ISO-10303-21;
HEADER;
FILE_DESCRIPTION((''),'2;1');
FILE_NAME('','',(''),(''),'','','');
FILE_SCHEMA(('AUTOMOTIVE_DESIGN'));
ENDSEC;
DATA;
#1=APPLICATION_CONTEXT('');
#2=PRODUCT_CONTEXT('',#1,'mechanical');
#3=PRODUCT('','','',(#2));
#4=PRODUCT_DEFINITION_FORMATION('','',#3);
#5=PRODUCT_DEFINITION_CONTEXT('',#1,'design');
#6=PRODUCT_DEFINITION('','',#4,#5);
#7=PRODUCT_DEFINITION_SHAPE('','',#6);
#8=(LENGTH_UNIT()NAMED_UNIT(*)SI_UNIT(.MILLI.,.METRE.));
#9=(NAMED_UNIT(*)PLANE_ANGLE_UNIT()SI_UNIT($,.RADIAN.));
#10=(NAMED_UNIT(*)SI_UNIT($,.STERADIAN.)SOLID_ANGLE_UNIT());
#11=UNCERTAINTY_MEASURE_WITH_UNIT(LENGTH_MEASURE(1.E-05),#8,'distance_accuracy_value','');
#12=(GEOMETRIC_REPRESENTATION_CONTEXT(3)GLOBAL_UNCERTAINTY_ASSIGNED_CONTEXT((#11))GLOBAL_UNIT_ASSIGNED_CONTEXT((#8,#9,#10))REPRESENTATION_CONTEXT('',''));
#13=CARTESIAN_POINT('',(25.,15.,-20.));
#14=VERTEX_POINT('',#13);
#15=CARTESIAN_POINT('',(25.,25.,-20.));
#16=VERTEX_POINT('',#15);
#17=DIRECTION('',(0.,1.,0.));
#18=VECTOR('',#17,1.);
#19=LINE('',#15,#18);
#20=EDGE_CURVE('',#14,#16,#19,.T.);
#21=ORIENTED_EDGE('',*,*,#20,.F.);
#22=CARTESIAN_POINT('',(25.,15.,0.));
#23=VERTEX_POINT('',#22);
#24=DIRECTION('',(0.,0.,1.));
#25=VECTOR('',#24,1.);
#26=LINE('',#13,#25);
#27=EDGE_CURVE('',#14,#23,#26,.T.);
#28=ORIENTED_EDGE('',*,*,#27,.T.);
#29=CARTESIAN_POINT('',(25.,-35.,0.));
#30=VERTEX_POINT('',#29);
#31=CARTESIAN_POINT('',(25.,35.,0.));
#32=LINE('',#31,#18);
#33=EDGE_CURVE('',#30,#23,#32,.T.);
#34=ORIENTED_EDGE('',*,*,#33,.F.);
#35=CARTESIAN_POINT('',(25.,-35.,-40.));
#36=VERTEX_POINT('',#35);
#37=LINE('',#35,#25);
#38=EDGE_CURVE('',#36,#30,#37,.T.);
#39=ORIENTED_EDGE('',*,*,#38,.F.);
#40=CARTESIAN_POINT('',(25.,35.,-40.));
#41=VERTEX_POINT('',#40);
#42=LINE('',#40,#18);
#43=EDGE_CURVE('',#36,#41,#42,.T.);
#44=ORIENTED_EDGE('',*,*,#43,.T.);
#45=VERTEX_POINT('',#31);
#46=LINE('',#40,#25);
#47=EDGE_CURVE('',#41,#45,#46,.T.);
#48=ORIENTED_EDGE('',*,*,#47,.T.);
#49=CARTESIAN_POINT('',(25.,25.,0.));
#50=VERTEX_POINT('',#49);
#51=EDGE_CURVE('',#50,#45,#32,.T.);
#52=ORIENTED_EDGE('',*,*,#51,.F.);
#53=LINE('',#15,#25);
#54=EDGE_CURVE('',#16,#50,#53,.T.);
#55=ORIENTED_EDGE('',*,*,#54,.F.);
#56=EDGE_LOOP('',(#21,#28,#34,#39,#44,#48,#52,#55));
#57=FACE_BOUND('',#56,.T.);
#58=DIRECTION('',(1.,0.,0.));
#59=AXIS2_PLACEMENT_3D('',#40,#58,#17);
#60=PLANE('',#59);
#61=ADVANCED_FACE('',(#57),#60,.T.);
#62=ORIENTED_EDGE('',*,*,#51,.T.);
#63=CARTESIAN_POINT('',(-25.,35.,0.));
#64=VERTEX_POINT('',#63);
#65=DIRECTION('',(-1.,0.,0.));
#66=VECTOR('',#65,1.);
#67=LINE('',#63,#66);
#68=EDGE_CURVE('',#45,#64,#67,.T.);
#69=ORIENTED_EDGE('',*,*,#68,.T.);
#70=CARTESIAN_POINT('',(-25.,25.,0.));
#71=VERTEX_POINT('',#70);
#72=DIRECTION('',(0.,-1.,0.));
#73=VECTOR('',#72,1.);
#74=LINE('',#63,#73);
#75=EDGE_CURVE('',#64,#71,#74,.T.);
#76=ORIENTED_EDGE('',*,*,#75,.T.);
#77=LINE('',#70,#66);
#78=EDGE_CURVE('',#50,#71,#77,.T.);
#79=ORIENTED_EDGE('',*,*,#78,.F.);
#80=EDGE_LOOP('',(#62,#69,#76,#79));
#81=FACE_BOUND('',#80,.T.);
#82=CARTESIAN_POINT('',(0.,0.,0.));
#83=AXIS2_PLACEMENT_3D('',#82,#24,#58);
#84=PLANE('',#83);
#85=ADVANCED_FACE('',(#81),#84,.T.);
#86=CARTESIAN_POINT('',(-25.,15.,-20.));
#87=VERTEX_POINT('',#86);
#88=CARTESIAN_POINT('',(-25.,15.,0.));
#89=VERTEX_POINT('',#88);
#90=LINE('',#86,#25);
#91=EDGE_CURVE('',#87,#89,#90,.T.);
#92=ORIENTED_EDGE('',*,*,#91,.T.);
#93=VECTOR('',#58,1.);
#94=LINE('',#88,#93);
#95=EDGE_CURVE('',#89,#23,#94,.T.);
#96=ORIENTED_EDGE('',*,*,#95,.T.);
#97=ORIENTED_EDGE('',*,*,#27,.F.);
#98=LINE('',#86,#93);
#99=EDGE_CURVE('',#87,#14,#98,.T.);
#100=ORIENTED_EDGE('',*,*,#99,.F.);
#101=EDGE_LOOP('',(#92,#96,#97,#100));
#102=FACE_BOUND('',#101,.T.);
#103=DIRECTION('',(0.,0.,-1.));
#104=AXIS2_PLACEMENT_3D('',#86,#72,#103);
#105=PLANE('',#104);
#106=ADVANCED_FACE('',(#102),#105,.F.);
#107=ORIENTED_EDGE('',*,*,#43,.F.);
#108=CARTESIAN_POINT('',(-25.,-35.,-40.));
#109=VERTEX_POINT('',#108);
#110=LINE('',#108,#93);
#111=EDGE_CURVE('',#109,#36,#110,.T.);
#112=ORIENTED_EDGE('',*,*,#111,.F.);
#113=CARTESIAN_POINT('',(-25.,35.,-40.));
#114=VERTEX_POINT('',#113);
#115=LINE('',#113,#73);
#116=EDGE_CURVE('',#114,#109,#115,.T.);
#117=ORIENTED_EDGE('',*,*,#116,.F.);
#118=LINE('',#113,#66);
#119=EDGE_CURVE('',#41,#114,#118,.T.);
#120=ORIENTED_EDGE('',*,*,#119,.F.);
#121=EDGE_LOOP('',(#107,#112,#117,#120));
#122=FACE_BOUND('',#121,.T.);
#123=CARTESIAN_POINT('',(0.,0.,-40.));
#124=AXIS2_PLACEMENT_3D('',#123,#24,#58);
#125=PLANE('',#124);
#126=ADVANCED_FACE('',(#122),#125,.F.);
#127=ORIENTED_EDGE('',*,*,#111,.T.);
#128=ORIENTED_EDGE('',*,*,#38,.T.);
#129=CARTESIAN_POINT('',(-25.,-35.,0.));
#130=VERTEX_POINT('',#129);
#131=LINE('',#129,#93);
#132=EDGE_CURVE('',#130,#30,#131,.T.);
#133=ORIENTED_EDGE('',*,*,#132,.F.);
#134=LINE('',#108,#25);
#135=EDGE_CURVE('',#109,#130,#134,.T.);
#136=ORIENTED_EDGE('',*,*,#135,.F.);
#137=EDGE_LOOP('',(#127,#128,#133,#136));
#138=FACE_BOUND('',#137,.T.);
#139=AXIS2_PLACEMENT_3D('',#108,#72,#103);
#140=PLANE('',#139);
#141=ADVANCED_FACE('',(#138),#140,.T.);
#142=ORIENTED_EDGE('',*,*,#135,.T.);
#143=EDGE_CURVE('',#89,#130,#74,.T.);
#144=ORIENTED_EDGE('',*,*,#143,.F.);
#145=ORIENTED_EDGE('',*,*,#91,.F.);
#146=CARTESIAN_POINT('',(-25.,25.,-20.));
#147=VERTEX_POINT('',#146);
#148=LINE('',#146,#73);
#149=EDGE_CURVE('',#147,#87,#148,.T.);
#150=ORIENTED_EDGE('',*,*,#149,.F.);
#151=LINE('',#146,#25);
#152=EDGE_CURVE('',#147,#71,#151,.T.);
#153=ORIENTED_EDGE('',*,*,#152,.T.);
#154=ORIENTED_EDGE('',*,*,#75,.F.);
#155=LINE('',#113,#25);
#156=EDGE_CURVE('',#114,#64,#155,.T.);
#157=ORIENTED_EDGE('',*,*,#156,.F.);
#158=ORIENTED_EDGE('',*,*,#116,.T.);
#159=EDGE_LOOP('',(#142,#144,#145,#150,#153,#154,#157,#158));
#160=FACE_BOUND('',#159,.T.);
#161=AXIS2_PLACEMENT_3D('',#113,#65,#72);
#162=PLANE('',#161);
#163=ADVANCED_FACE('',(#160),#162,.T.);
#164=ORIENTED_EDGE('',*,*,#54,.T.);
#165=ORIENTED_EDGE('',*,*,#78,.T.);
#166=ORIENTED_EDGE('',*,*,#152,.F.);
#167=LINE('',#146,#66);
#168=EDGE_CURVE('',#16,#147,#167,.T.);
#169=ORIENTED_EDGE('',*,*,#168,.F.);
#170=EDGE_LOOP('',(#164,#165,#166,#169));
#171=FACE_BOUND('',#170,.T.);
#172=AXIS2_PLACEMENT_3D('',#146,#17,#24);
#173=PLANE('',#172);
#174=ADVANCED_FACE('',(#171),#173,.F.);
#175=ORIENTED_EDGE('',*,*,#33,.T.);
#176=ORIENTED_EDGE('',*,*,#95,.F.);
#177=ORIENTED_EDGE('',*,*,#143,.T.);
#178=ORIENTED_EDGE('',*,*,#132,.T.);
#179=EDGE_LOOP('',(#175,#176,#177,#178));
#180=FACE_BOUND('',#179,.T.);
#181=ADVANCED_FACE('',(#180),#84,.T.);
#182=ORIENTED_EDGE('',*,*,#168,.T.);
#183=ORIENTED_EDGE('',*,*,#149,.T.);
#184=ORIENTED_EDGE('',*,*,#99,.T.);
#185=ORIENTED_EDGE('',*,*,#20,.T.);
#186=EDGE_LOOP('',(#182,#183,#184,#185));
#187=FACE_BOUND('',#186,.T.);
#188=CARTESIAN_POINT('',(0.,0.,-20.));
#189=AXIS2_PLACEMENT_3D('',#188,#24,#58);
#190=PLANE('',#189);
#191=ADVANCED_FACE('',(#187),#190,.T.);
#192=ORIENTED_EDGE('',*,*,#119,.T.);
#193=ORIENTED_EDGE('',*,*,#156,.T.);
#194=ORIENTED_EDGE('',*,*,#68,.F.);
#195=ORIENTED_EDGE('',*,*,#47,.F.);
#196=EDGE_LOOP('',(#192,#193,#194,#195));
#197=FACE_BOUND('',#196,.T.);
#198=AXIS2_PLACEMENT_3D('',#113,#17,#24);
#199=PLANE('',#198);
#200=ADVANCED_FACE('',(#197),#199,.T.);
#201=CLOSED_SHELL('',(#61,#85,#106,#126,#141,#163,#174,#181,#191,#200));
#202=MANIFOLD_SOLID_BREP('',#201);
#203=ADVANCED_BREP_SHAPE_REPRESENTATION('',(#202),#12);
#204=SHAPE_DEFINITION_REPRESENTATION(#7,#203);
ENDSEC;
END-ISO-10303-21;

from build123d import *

# Parameters (mm, degrees)
SKETCH1_W           = 50
SKETCH1_H           = 70
BOSS_EXTRUDE1_DEPTH = 40
SKETCH2_W           = 50
SKETCH2_H           = 10
CUT_EXTRUDE1_DEPTH  = 20


with BuildPart() as part:
    # Sketch1 → Boss-Extrude1 (new body)
    with BuildSketch(Plane.XY):
        Rectangle(SKETCH1_W, SKETCH1_H)
    extrude(amount=-BOSS_EXTRUDE1_DEPTH)

    # Sketch2 → Cut-Extrude1 (cut)
    with BuildSketch(Plane.XY):
        with Locations((0, 20)):
            Rectangle(SKETCH2_W, SKETCH2_H)
    extrude(amount=-CUT_EXTRUDE1_DEPTH, mode=Mode.SUBTRACT)


solid = part.part
